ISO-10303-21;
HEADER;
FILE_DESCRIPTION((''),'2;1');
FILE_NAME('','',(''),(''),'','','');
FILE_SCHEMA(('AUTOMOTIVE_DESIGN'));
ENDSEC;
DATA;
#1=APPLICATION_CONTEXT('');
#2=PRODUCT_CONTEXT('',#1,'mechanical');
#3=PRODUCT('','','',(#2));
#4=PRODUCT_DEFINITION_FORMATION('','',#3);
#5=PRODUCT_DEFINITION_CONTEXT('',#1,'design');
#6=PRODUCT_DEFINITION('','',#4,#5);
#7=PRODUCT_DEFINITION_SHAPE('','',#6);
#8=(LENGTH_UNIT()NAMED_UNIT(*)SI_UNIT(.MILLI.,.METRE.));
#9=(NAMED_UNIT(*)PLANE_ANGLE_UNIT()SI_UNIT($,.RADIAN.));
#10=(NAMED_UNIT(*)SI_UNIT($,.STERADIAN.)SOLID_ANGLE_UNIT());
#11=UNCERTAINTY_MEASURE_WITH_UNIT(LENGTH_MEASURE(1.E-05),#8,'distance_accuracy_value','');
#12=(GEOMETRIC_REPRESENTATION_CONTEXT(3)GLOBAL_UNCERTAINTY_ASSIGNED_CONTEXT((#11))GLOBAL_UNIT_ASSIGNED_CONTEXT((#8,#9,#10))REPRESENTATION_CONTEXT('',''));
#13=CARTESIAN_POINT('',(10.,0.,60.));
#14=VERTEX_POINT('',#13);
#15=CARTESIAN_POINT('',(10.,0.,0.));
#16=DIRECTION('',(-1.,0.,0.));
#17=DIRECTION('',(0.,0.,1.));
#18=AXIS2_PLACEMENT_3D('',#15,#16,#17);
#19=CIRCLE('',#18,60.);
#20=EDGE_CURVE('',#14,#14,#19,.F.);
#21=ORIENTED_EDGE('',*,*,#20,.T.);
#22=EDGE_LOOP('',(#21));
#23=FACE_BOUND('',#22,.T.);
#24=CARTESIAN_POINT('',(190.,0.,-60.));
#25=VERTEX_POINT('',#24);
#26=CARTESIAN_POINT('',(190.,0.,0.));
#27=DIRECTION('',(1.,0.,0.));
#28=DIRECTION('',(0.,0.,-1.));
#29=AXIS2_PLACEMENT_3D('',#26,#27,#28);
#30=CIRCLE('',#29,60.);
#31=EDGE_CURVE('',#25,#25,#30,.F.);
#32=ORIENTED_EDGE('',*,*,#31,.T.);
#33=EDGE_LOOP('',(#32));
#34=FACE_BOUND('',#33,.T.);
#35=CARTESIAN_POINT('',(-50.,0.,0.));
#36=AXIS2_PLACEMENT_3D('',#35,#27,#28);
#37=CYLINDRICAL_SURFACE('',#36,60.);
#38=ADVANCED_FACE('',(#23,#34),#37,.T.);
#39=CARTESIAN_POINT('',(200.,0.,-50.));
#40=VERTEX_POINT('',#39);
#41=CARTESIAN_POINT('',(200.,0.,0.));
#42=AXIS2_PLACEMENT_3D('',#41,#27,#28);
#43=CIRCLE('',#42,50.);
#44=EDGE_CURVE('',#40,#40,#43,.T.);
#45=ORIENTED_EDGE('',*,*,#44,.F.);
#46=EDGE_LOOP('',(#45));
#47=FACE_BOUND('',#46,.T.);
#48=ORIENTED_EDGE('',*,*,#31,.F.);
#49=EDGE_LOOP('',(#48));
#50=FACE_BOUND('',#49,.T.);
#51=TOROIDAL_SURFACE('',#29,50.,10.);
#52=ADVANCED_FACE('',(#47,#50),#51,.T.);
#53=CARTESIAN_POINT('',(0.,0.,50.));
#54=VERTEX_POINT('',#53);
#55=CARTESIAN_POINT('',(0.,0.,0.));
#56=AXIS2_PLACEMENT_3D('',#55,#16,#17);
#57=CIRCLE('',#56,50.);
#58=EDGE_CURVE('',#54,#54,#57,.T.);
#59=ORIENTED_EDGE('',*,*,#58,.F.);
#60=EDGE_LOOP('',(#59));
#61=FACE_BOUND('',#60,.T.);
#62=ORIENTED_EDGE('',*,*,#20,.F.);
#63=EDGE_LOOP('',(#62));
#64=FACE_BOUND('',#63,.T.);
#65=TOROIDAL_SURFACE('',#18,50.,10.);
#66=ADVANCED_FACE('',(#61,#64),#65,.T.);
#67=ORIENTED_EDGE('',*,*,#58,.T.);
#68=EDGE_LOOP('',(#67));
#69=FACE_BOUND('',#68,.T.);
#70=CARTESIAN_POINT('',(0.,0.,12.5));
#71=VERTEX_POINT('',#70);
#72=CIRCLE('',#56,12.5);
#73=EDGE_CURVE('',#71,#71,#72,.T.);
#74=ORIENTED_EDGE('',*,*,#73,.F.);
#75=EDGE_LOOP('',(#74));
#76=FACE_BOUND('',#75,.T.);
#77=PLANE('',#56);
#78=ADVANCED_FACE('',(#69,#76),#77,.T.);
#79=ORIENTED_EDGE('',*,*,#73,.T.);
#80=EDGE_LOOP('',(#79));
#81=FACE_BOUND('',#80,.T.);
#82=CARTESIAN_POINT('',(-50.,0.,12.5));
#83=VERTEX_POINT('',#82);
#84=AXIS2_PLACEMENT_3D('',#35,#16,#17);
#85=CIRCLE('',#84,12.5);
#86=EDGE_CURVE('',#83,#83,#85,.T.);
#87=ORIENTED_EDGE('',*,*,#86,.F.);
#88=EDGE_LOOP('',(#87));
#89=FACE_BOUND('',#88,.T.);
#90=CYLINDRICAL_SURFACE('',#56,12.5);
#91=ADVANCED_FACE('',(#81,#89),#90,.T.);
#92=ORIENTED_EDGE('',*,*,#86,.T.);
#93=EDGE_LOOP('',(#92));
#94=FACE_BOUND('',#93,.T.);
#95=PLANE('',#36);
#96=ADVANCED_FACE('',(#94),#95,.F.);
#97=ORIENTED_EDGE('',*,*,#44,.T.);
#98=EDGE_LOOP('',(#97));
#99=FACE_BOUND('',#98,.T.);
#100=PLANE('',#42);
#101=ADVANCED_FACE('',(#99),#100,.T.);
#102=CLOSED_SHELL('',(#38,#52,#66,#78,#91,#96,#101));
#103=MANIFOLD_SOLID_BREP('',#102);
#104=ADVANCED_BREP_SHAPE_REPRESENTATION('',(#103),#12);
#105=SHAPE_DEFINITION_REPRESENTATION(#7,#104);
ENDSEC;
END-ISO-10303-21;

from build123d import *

# Parameters (mm, degrees)
SKETCH1_R                = 60
BOSS_EXTRUDE1_DEPTH      = 200
BOSS_EXTRUDE1_DEPTH_BACK = 50
SKETCH2_R                = 75
SKETCH2_R_2              = 12.5
CUT_EXTRUDE1_DEPTH       = 50
FILLET1_R                = 10


with BuildPart() as part:
    # Sketch1 → Boss-Extrude1 (new body, two sides)
    with BuildSketch(Plane(origin=(0, 0, 0), x_dir=(0, 0, -1), z_dir=(1, 0, 0))) as boss_extrude1_sk:
        Circle(SKETCH1_R)
    extrude(amount=BOSS_EXTRUDE1_DEPTH)
    extrude(boss_extrude1_sk.sketch, amount=-BOSS_EXTRUDE1_DEPTH_BACK)

    # Sketch2 → Cut-Extrude1 (cut)
    with BuildSketch(Plane.ZY.offset(50)):
        Circle(SKETCH2_R)
        Circle(SKETCH2_R_2, mode=Mode.SUBTRACT)
    extrude(amount=-CUT_EXTRUDE1_DEPTH, mode=Mode.SUBTRACT)

    # Fillet1
    fillet1_edges = [part.edges().sort_by_distance(p)[0] for p in [
        (0, 0, 60),
        (200, 0, 60),
    ]]
    fillet(fillet1_edges, radius=FILLET1_R)


solid = part.part
